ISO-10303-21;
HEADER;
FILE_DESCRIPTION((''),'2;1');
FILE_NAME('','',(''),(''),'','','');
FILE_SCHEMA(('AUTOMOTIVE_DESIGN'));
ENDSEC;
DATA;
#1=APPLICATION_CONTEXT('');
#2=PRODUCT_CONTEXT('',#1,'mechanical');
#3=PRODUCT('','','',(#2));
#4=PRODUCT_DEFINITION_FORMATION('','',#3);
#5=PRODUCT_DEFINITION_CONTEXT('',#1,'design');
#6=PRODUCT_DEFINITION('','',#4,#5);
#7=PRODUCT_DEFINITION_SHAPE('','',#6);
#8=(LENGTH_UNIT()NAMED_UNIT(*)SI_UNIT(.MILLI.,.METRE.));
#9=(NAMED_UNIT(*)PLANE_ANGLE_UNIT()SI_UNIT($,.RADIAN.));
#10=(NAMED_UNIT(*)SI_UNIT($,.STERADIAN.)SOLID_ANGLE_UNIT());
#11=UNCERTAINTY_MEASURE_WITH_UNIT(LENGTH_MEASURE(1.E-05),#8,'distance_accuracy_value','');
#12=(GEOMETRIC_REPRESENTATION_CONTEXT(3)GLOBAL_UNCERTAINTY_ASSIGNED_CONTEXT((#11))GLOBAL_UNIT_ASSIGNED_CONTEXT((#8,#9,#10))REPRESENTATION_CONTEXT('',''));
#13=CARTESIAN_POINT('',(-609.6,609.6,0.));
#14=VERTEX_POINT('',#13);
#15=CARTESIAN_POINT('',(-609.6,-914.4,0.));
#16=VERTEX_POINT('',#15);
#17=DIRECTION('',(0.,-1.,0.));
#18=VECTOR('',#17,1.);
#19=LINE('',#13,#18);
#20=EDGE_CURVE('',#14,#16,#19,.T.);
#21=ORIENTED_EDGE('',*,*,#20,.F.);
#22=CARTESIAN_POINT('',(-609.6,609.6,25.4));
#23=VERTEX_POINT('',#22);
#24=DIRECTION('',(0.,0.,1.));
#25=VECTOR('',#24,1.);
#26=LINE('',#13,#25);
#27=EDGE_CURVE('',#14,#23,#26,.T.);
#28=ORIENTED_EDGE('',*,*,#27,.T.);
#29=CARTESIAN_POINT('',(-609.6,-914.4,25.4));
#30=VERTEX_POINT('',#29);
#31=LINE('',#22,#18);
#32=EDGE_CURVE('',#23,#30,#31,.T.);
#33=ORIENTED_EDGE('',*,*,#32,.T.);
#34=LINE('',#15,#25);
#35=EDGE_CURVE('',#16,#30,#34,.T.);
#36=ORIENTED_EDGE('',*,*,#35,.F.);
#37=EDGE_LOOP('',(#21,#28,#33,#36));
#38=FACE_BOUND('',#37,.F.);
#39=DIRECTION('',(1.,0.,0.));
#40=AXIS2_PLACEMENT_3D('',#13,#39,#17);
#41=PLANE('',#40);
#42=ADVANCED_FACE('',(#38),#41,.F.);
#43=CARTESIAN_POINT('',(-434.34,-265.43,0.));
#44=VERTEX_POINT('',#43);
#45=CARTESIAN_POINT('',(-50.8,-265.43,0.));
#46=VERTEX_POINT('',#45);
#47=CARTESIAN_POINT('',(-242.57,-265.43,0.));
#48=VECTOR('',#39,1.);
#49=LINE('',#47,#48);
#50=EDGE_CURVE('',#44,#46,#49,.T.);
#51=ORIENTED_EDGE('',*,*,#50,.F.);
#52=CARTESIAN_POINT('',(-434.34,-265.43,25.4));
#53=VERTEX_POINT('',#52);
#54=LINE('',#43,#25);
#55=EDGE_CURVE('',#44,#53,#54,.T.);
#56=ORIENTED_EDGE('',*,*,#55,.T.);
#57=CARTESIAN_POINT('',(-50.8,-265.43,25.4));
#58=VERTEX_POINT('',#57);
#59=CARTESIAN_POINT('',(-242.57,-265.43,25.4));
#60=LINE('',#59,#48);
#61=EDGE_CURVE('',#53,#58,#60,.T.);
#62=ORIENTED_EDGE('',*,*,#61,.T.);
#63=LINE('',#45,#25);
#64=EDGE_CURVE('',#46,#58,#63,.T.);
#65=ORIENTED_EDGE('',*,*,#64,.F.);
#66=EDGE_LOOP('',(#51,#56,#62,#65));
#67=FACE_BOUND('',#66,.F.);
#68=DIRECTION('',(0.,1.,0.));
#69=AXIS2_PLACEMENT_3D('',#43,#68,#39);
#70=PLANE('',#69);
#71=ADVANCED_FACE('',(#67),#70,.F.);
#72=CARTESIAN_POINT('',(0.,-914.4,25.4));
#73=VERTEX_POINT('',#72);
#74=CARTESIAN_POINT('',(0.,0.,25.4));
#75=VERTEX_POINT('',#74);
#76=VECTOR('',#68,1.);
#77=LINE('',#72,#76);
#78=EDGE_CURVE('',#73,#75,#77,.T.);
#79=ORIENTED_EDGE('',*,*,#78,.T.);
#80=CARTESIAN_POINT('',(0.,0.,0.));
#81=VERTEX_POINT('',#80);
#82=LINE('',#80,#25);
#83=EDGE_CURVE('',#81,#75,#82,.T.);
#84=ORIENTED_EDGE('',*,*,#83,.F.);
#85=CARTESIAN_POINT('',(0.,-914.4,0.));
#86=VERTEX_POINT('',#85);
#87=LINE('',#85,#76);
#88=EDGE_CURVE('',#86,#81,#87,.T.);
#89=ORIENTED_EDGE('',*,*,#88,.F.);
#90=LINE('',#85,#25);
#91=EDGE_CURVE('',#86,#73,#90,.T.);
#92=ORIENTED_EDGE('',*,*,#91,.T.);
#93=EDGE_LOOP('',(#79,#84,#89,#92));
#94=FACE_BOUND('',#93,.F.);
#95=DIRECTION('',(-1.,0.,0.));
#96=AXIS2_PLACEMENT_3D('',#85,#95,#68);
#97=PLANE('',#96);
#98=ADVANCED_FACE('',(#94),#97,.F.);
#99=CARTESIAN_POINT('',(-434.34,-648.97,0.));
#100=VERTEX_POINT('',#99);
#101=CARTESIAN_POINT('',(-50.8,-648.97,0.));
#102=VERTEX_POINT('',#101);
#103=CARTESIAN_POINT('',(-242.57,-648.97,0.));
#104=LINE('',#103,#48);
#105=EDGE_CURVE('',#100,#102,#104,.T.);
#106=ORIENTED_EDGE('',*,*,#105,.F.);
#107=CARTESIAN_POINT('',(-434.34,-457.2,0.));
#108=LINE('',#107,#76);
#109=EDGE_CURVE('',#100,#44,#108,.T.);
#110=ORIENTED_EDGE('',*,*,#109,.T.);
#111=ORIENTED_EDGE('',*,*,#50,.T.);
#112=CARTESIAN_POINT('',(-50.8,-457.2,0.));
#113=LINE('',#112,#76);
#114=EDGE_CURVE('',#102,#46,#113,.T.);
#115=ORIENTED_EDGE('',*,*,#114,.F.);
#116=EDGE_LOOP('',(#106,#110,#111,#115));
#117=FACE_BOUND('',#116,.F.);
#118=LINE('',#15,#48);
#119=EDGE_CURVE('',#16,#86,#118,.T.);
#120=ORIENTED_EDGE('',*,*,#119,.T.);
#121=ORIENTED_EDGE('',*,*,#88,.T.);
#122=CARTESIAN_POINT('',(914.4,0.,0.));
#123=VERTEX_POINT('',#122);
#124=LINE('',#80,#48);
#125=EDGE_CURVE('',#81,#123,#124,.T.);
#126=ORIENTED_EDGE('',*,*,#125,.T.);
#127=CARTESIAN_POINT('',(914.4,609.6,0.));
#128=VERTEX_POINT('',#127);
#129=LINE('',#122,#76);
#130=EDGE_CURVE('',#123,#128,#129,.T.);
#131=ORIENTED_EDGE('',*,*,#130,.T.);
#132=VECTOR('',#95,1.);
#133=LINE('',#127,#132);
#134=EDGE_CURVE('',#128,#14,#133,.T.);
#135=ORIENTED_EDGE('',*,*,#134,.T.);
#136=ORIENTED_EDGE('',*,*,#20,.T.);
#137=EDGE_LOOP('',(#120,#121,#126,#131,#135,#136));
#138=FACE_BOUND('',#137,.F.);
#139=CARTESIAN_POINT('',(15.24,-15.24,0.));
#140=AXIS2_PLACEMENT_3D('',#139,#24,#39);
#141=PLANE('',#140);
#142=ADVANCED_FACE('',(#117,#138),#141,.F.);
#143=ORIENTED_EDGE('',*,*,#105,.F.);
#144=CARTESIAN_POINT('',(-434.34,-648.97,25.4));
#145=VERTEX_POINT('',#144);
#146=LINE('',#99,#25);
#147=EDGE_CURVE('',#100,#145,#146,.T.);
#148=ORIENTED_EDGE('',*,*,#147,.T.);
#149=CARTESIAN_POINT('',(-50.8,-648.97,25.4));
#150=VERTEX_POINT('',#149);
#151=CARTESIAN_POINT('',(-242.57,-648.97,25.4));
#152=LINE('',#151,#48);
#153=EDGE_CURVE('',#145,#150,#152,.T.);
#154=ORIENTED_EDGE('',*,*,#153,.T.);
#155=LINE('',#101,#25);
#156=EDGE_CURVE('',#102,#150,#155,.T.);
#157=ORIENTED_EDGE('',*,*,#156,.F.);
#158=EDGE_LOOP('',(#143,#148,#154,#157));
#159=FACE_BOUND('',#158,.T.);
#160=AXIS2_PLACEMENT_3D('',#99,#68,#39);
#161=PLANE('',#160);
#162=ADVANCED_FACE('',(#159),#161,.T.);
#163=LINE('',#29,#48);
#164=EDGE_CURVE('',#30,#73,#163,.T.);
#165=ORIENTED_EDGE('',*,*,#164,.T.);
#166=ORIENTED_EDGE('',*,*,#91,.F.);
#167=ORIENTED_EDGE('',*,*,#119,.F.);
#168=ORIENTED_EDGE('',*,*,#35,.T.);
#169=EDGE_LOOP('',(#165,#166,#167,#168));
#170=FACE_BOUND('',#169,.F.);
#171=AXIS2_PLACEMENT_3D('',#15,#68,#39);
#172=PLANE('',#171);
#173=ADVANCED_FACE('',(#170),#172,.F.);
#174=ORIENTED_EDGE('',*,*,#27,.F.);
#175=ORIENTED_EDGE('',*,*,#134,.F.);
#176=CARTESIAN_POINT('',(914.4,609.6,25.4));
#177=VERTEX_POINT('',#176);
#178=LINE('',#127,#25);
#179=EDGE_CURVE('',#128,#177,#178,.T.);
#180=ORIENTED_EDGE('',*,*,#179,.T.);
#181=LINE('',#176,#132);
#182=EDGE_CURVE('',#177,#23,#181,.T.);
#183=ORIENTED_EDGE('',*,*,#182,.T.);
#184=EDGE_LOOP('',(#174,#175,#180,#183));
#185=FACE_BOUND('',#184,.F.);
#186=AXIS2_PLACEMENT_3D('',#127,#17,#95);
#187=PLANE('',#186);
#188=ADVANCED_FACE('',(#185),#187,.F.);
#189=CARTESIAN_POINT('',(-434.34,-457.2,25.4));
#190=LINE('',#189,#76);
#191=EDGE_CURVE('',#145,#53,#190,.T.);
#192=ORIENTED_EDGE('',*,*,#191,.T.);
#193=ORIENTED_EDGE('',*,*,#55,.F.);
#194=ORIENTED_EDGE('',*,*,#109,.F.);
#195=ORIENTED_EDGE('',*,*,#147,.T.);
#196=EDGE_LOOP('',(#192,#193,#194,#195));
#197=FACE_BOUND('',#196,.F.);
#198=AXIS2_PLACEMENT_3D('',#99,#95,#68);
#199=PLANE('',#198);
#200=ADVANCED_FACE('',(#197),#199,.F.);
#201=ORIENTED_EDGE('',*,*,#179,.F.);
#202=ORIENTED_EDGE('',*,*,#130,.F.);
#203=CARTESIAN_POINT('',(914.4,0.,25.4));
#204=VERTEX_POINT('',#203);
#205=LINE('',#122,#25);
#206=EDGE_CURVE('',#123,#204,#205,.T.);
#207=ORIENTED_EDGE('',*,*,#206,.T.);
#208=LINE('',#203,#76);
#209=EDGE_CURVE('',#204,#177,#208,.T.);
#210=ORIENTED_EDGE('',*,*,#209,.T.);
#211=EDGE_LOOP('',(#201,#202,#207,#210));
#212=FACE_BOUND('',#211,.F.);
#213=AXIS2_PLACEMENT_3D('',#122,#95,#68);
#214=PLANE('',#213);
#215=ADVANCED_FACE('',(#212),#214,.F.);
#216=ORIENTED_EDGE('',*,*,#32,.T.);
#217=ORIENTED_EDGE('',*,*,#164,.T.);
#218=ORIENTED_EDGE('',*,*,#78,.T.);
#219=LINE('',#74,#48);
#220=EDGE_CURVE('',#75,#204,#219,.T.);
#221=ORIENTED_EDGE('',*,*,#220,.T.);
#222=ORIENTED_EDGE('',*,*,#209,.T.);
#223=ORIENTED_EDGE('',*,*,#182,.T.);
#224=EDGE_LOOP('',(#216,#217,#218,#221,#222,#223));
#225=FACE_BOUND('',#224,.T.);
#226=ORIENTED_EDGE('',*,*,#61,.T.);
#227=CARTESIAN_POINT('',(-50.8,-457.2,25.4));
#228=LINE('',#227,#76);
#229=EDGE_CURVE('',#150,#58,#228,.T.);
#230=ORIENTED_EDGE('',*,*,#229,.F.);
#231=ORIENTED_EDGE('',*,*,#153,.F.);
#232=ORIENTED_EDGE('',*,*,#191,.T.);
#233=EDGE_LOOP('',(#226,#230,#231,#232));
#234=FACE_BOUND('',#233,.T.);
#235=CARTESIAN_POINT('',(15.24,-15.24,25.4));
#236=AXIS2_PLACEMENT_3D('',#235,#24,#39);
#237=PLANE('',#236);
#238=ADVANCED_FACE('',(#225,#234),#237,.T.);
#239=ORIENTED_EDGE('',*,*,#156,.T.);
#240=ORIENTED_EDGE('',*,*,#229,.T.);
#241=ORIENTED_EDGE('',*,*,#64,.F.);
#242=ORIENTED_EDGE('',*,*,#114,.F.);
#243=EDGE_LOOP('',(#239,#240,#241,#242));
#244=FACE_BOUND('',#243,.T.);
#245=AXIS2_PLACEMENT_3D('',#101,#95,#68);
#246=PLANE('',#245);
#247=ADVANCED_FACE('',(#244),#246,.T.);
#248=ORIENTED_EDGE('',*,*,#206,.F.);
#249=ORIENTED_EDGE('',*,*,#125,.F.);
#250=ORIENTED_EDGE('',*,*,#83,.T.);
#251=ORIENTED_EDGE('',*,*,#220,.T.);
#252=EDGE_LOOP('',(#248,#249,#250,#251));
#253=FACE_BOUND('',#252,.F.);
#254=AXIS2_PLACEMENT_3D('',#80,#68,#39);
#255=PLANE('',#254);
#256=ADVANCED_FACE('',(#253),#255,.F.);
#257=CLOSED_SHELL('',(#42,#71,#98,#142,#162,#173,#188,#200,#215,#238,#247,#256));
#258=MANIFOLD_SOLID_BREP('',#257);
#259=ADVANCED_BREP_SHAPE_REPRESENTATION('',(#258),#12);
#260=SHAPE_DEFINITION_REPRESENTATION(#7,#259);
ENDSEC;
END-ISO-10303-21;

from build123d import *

# Parameters (mm, degrees)
F1_W     = 383.54
F1_H     = 383.54
F2_DEPTH = 25.4


with BuildPart() as f2:
    # F1 (on face) → F2 (new body)
    with BuildSketch(Plane.XY):
        Polygon((0, -914.4), (0, 0), (914.4, 0), (914.4, 609.6), (-609.6, 609.6), (-609.6, -914.4), align=None)
        with Locations((-242.57, -457.2)):
            Rectangle(F1_W, F1_H, mode=Mode.SUBTRACT)
    extrude(amount=F2_DEPTH)


solid = f2.part
